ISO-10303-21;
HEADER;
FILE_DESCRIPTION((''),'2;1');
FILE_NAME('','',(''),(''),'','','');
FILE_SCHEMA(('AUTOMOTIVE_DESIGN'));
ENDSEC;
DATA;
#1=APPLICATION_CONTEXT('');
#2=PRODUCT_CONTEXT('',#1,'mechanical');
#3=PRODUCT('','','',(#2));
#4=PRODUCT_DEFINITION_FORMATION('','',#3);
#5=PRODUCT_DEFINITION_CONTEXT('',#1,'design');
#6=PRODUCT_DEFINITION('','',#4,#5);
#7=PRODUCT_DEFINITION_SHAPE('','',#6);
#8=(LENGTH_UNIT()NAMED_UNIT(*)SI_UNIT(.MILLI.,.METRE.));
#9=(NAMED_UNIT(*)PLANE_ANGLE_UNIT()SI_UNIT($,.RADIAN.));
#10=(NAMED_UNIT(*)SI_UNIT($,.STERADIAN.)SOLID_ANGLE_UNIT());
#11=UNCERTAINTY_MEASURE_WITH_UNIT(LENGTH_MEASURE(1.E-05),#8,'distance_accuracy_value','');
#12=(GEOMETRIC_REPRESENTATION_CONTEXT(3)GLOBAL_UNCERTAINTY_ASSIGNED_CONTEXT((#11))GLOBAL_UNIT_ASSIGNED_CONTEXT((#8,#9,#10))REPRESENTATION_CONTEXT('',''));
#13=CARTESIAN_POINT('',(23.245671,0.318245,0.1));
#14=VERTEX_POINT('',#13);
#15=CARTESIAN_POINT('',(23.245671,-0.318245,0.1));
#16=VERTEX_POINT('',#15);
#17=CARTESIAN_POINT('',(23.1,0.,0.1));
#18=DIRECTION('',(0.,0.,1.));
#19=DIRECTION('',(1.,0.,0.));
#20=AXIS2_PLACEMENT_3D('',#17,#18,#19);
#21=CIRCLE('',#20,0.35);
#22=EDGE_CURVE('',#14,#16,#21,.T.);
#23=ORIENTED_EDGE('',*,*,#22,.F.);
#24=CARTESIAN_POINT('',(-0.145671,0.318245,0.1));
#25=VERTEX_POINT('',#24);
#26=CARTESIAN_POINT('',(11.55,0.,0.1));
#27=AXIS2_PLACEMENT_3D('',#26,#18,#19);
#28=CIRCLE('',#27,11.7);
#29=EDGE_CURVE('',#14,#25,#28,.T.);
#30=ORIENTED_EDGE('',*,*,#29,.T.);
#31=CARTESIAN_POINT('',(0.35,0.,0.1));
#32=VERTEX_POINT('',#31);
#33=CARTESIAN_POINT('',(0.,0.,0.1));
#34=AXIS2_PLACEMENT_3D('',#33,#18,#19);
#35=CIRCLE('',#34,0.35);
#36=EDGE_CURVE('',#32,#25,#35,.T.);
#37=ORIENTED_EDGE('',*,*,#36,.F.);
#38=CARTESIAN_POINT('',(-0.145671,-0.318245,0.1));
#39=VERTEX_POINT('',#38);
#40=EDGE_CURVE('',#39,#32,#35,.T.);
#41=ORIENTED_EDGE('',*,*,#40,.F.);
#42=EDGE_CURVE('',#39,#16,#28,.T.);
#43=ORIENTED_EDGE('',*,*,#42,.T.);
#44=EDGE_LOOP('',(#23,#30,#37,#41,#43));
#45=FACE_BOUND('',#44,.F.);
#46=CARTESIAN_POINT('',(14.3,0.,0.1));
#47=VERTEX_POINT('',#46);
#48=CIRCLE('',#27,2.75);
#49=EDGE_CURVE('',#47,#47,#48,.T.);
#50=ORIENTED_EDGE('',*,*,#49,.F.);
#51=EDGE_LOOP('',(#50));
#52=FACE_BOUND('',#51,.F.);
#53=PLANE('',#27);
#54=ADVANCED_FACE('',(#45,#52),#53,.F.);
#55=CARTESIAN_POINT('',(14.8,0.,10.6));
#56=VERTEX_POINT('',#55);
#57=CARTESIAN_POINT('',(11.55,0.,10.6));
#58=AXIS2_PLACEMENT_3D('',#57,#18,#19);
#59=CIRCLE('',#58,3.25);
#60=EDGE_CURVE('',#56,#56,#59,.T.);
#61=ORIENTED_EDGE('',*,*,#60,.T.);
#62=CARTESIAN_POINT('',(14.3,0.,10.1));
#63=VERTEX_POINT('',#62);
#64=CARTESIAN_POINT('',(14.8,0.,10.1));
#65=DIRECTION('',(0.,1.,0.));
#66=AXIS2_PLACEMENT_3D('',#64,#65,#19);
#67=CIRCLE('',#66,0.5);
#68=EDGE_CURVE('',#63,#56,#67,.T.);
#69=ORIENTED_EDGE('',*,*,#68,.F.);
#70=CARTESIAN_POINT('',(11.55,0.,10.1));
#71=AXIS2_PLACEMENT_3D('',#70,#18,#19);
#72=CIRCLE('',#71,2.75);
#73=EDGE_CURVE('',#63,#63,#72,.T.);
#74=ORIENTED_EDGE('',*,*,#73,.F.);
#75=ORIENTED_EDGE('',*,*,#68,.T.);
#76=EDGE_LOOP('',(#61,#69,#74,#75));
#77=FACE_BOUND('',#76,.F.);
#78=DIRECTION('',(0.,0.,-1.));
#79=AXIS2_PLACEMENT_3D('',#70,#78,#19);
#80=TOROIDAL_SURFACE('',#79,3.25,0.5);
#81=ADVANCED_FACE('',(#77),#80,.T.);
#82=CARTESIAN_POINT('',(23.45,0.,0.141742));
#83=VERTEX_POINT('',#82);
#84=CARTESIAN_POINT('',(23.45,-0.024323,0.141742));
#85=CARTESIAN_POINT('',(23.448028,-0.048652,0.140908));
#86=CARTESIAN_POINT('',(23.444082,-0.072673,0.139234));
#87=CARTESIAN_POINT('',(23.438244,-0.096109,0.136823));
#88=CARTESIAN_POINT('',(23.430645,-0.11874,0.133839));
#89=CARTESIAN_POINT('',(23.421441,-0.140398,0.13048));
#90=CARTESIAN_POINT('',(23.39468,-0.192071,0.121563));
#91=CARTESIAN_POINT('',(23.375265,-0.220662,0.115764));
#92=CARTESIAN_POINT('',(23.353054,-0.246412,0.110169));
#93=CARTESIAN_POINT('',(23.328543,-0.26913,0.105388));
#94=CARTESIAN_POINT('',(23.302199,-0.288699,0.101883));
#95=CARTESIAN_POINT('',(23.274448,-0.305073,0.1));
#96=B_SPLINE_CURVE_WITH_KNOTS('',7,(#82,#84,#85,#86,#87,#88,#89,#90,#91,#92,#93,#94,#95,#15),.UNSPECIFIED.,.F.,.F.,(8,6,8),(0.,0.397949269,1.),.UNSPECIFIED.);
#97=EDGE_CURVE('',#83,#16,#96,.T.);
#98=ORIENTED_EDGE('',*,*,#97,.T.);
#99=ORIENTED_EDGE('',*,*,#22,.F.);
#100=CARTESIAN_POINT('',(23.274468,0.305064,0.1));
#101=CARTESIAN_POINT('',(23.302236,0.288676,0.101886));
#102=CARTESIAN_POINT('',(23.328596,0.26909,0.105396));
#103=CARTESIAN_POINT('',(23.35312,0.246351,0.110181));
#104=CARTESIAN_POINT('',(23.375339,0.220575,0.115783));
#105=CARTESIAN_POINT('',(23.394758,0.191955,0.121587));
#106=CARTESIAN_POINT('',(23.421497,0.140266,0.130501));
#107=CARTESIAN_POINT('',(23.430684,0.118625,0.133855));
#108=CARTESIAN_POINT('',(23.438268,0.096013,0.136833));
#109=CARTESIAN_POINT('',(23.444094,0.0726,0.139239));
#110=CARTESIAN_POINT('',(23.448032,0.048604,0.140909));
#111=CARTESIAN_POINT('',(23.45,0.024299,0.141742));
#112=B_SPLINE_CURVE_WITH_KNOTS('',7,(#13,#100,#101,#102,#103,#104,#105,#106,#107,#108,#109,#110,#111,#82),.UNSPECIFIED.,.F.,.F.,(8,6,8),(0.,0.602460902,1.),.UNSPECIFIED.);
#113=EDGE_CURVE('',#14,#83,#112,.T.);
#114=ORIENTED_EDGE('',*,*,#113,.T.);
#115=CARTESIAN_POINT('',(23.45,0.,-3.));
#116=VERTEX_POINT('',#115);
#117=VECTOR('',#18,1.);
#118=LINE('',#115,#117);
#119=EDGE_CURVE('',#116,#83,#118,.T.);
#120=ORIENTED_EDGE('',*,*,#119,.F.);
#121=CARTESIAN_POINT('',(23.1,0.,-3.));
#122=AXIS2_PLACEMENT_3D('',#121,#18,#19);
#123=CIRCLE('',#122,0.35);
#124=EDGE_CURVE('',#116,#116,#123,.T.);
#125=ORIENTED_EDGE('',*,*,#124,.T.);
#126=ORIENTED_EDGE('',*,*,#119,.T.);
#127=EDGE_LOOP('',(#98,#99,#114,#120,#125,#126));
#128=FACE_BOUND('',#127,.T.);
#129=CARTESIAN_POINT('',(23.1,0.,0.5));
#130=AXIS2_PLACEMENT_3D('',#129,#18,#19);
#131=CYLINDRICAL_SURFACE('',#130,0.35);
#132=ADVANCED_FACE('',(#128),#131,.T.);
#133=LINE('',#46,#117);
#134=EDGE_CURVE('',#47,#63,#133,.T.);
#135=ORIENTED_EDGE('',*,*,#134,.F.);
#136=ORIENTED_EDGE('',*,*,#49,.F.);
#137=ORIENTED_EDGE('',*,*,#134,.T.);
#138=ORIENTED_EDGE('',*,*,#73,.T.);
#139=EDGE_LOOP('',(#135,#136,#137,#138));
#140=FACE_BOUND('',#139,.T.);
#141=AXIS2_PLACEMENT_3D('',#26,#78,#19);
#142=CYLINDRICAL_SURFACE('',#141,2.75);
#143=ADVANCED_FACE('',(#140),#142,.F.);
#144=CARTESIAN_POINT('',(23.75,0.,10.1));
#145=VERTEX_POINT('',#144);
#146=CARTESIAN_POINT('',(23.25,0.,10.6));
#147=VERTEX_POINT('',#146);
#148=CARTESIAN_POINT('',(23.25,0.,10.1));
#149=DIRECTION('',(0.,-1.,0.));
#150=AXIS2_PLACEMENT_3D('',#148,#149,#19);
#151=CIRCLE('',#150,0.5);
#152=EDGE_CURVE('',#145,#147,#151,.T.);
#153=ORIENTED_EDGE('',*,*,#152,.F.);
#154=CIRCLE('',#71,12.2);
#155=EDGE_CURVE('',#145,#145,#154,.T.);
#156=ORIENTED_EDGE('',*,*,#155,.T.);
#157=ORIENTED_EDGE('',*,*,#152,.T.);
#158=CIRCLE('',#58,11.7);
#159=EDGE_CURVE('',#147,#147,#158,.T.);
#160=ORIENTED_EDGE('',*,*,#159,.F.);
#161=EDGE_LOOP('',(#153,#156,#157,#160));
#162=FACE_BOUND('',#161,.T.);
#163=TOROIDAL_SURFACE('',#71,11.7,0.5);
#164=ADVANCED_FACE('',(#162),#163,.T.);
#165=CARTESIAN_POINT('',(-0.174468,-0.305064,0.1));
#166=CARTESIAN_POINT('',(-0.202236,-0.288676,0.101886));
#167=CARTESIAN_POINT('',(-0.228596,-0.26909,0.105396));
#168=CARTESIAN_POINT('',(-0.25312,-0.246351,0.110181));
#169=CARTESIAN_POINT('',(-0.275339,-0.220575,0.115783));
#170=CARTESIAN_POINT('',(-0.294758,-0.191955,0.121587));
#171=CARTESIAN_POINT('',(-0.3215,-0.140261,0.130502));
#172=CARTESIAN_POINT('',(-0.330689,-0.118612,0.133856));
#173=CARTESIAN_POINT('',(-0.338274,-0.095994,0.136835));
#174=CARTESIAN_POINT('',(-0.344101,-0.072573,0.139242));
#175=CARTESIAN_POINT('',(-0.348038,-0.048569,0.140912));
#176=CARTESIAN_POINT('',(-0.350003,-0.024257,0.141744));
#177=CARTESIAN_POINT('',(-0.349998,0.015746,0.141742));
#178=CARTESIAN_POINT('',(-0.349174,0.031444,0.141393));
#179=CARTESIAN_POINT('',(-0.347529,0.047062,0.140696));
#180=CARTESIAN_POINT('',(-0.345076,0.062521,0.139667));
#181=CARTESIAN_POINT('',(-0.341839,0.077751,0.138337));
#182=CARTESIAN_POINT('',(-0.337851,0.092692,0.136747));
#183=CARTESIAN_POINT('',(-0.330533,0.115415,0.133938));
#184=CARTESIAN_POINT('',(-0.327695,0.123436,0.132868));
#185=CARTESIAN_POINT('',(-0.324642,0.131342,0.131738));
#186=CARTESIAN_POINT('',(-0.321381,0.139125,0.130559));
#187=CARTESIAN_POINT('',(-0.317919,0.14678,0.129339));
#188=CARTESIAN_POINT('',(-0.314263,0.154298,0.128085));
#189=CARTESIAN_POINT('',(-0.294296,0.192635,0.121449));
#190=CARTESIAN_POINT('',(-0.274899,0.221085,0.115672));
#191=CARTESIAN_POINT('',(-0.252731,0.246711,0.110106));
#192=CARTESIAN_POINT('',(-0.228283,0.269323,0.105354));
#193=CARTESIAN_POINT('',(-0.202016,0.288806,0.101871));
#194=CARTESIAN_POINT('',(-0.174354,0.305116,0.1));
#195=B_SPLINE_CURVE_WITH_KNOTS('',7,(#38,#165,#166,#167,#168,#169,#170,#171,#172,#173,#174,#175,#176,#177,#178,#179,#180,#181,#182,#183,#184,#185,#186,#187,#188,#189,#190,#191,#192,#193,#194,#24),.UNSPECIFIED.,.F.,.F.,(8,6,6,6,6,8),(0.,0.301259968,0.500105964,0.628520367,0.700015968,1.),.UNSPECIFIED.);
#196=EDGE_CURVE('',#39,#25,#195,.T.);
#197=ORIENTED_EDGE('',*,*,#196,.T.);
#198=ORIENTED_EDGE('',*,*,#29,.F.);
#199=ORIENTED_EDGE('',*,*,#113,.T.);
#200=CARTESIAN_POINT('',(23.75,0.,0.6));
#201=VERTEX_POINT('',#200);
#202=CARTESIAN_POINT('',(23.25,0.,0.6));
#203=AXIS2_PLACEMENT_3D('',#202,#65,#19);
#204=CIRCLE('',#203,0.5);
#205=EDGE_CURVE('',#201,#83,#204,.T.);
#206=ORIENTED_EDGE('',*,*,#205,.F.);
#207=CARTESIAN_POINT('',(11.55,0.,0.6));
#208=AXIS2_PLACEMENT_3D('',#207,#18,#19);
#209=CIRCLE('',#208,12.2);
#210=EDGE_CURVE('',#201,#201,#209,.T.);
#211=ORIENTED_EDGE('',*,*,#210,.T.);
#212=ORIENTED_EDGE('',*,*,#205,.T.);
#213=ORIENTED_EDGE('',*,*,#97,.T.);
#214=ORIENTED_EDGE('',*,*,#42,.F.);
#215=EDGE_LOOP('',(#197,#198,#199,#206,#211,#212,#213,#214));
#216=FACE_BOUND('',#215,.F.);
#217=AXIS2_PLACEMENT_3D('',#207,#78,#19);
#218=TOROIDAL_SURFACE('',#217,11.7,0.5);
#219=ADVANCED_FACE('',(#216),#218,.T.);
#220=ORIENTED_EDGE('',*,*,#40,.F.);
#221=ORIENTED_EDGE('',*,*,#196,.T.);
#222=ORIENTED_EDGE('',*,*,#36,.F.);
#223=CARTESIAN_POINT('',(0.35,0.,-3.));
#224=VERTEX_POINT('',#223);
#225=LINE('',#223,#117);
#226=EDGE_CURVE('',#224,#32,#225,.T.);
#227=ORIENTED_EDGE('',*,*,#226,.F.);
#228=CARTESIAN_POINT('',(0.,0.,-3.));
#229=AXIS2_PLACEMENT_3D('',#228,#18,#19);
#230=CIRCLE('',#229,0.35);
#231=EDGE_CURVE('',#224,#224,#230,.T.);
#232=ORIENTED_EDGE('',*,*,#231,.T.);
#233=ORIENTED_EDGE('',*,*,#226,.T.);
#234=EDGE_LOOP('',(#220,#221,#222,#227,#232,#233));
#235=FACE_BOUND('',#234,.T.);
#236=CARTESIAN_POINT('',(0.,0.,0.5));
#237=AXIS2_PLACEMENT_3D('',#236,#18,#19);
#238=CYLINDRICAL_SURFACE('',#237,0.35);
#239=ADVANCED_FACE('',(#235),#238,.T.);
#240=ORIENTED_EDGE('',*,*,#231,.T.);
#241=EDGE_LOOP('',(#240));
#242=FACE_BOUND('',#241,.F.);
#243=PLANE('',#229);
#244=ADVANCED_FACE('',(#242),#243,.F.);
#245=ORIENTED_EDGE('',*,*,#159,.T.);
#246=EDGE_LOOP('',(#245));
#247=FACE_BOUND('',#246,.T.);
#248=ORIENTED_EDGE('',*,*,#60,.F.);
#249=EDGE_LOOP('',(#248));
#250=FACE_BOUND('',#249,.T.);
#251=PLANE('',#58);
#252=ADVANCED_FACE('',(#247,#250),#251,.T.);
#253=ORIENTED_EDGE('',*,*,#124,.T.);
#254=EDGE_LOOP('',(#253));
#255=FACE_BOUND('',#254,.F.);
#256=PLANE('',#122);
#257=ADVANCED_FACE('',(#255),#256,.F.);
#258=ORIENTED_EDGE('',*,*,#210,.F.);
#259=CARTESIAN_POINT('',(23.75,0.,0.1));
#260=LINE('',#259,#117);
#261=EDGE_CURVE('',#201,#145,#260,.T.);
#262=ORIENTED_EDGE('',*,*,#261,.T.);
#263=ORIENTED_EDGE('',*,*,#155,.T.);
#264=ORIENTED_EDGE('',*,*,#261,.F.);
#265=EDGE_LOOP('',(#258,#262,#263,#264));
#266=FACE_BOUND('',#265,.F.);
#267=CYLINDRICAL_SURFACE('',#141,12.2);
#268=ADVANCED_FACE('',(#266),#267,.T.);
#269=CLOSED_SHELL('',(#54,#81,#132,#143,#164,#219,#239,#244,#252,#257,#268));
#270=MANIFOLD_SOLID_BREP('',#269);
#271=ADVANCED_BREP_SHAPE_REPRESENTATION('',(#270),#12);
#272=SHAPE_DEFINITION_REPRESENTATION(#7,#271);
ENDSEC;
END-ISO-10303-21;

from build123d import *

# Parameters (mm, degrees)
SKETCH001_R       = 0.35
PAD001_DEPTH      = 5.25
PAD001_DEPTH_BACK = 3.5
SKETCH_R          = 12.2
SKETCH_R_2        = 2.75
PAD_DEPTH         = 10.5
FILLET_R          = 0.5


with BuildPart() as pad001:
    # Sketch001 → Pad001 (new body, two sides)
    with BuildSketch(Plane.XY.offset(0.5)) as pad001_sk:
        Circle(SKETCH001_R)
        with Locations((23.1, 0)):
            Circle(SKETCH001_R)
    extrude(amount=PAD001_DEPTH)
    extrude(pad001_sk.sketch, amount=-PAD001_DEPTH_BACK)


with BuildPart() as fillet_mp_cp:
    # Sketch → Pad (new body)
    with BuildSketch(Plane.XY.offset(0.1)):
        with Locations((11.55, 0)):
            Circle(SKETCH_R)
        with Locations((11.55, 0)):
            Circle(SKETCH_R_2, mode=Mode.SUBTRACT)
    extrude(amount=PAD_DEPTH)

    # Fillet
    fillet_edges = [fillet_mp_cp.edges().sort_by_distance(p)[0] for p in [
        (8.8, 0, 10.6),
        (-0.65, 0, 10.6),
        (-0.65, 0, 0.1),
    ]]
    fillet(fillet_edges, radius=FILLET_R)

    # Fillet_mp_cp: union Pad001
    add(pad001.part)


solid = fillet_mp_cp.part
